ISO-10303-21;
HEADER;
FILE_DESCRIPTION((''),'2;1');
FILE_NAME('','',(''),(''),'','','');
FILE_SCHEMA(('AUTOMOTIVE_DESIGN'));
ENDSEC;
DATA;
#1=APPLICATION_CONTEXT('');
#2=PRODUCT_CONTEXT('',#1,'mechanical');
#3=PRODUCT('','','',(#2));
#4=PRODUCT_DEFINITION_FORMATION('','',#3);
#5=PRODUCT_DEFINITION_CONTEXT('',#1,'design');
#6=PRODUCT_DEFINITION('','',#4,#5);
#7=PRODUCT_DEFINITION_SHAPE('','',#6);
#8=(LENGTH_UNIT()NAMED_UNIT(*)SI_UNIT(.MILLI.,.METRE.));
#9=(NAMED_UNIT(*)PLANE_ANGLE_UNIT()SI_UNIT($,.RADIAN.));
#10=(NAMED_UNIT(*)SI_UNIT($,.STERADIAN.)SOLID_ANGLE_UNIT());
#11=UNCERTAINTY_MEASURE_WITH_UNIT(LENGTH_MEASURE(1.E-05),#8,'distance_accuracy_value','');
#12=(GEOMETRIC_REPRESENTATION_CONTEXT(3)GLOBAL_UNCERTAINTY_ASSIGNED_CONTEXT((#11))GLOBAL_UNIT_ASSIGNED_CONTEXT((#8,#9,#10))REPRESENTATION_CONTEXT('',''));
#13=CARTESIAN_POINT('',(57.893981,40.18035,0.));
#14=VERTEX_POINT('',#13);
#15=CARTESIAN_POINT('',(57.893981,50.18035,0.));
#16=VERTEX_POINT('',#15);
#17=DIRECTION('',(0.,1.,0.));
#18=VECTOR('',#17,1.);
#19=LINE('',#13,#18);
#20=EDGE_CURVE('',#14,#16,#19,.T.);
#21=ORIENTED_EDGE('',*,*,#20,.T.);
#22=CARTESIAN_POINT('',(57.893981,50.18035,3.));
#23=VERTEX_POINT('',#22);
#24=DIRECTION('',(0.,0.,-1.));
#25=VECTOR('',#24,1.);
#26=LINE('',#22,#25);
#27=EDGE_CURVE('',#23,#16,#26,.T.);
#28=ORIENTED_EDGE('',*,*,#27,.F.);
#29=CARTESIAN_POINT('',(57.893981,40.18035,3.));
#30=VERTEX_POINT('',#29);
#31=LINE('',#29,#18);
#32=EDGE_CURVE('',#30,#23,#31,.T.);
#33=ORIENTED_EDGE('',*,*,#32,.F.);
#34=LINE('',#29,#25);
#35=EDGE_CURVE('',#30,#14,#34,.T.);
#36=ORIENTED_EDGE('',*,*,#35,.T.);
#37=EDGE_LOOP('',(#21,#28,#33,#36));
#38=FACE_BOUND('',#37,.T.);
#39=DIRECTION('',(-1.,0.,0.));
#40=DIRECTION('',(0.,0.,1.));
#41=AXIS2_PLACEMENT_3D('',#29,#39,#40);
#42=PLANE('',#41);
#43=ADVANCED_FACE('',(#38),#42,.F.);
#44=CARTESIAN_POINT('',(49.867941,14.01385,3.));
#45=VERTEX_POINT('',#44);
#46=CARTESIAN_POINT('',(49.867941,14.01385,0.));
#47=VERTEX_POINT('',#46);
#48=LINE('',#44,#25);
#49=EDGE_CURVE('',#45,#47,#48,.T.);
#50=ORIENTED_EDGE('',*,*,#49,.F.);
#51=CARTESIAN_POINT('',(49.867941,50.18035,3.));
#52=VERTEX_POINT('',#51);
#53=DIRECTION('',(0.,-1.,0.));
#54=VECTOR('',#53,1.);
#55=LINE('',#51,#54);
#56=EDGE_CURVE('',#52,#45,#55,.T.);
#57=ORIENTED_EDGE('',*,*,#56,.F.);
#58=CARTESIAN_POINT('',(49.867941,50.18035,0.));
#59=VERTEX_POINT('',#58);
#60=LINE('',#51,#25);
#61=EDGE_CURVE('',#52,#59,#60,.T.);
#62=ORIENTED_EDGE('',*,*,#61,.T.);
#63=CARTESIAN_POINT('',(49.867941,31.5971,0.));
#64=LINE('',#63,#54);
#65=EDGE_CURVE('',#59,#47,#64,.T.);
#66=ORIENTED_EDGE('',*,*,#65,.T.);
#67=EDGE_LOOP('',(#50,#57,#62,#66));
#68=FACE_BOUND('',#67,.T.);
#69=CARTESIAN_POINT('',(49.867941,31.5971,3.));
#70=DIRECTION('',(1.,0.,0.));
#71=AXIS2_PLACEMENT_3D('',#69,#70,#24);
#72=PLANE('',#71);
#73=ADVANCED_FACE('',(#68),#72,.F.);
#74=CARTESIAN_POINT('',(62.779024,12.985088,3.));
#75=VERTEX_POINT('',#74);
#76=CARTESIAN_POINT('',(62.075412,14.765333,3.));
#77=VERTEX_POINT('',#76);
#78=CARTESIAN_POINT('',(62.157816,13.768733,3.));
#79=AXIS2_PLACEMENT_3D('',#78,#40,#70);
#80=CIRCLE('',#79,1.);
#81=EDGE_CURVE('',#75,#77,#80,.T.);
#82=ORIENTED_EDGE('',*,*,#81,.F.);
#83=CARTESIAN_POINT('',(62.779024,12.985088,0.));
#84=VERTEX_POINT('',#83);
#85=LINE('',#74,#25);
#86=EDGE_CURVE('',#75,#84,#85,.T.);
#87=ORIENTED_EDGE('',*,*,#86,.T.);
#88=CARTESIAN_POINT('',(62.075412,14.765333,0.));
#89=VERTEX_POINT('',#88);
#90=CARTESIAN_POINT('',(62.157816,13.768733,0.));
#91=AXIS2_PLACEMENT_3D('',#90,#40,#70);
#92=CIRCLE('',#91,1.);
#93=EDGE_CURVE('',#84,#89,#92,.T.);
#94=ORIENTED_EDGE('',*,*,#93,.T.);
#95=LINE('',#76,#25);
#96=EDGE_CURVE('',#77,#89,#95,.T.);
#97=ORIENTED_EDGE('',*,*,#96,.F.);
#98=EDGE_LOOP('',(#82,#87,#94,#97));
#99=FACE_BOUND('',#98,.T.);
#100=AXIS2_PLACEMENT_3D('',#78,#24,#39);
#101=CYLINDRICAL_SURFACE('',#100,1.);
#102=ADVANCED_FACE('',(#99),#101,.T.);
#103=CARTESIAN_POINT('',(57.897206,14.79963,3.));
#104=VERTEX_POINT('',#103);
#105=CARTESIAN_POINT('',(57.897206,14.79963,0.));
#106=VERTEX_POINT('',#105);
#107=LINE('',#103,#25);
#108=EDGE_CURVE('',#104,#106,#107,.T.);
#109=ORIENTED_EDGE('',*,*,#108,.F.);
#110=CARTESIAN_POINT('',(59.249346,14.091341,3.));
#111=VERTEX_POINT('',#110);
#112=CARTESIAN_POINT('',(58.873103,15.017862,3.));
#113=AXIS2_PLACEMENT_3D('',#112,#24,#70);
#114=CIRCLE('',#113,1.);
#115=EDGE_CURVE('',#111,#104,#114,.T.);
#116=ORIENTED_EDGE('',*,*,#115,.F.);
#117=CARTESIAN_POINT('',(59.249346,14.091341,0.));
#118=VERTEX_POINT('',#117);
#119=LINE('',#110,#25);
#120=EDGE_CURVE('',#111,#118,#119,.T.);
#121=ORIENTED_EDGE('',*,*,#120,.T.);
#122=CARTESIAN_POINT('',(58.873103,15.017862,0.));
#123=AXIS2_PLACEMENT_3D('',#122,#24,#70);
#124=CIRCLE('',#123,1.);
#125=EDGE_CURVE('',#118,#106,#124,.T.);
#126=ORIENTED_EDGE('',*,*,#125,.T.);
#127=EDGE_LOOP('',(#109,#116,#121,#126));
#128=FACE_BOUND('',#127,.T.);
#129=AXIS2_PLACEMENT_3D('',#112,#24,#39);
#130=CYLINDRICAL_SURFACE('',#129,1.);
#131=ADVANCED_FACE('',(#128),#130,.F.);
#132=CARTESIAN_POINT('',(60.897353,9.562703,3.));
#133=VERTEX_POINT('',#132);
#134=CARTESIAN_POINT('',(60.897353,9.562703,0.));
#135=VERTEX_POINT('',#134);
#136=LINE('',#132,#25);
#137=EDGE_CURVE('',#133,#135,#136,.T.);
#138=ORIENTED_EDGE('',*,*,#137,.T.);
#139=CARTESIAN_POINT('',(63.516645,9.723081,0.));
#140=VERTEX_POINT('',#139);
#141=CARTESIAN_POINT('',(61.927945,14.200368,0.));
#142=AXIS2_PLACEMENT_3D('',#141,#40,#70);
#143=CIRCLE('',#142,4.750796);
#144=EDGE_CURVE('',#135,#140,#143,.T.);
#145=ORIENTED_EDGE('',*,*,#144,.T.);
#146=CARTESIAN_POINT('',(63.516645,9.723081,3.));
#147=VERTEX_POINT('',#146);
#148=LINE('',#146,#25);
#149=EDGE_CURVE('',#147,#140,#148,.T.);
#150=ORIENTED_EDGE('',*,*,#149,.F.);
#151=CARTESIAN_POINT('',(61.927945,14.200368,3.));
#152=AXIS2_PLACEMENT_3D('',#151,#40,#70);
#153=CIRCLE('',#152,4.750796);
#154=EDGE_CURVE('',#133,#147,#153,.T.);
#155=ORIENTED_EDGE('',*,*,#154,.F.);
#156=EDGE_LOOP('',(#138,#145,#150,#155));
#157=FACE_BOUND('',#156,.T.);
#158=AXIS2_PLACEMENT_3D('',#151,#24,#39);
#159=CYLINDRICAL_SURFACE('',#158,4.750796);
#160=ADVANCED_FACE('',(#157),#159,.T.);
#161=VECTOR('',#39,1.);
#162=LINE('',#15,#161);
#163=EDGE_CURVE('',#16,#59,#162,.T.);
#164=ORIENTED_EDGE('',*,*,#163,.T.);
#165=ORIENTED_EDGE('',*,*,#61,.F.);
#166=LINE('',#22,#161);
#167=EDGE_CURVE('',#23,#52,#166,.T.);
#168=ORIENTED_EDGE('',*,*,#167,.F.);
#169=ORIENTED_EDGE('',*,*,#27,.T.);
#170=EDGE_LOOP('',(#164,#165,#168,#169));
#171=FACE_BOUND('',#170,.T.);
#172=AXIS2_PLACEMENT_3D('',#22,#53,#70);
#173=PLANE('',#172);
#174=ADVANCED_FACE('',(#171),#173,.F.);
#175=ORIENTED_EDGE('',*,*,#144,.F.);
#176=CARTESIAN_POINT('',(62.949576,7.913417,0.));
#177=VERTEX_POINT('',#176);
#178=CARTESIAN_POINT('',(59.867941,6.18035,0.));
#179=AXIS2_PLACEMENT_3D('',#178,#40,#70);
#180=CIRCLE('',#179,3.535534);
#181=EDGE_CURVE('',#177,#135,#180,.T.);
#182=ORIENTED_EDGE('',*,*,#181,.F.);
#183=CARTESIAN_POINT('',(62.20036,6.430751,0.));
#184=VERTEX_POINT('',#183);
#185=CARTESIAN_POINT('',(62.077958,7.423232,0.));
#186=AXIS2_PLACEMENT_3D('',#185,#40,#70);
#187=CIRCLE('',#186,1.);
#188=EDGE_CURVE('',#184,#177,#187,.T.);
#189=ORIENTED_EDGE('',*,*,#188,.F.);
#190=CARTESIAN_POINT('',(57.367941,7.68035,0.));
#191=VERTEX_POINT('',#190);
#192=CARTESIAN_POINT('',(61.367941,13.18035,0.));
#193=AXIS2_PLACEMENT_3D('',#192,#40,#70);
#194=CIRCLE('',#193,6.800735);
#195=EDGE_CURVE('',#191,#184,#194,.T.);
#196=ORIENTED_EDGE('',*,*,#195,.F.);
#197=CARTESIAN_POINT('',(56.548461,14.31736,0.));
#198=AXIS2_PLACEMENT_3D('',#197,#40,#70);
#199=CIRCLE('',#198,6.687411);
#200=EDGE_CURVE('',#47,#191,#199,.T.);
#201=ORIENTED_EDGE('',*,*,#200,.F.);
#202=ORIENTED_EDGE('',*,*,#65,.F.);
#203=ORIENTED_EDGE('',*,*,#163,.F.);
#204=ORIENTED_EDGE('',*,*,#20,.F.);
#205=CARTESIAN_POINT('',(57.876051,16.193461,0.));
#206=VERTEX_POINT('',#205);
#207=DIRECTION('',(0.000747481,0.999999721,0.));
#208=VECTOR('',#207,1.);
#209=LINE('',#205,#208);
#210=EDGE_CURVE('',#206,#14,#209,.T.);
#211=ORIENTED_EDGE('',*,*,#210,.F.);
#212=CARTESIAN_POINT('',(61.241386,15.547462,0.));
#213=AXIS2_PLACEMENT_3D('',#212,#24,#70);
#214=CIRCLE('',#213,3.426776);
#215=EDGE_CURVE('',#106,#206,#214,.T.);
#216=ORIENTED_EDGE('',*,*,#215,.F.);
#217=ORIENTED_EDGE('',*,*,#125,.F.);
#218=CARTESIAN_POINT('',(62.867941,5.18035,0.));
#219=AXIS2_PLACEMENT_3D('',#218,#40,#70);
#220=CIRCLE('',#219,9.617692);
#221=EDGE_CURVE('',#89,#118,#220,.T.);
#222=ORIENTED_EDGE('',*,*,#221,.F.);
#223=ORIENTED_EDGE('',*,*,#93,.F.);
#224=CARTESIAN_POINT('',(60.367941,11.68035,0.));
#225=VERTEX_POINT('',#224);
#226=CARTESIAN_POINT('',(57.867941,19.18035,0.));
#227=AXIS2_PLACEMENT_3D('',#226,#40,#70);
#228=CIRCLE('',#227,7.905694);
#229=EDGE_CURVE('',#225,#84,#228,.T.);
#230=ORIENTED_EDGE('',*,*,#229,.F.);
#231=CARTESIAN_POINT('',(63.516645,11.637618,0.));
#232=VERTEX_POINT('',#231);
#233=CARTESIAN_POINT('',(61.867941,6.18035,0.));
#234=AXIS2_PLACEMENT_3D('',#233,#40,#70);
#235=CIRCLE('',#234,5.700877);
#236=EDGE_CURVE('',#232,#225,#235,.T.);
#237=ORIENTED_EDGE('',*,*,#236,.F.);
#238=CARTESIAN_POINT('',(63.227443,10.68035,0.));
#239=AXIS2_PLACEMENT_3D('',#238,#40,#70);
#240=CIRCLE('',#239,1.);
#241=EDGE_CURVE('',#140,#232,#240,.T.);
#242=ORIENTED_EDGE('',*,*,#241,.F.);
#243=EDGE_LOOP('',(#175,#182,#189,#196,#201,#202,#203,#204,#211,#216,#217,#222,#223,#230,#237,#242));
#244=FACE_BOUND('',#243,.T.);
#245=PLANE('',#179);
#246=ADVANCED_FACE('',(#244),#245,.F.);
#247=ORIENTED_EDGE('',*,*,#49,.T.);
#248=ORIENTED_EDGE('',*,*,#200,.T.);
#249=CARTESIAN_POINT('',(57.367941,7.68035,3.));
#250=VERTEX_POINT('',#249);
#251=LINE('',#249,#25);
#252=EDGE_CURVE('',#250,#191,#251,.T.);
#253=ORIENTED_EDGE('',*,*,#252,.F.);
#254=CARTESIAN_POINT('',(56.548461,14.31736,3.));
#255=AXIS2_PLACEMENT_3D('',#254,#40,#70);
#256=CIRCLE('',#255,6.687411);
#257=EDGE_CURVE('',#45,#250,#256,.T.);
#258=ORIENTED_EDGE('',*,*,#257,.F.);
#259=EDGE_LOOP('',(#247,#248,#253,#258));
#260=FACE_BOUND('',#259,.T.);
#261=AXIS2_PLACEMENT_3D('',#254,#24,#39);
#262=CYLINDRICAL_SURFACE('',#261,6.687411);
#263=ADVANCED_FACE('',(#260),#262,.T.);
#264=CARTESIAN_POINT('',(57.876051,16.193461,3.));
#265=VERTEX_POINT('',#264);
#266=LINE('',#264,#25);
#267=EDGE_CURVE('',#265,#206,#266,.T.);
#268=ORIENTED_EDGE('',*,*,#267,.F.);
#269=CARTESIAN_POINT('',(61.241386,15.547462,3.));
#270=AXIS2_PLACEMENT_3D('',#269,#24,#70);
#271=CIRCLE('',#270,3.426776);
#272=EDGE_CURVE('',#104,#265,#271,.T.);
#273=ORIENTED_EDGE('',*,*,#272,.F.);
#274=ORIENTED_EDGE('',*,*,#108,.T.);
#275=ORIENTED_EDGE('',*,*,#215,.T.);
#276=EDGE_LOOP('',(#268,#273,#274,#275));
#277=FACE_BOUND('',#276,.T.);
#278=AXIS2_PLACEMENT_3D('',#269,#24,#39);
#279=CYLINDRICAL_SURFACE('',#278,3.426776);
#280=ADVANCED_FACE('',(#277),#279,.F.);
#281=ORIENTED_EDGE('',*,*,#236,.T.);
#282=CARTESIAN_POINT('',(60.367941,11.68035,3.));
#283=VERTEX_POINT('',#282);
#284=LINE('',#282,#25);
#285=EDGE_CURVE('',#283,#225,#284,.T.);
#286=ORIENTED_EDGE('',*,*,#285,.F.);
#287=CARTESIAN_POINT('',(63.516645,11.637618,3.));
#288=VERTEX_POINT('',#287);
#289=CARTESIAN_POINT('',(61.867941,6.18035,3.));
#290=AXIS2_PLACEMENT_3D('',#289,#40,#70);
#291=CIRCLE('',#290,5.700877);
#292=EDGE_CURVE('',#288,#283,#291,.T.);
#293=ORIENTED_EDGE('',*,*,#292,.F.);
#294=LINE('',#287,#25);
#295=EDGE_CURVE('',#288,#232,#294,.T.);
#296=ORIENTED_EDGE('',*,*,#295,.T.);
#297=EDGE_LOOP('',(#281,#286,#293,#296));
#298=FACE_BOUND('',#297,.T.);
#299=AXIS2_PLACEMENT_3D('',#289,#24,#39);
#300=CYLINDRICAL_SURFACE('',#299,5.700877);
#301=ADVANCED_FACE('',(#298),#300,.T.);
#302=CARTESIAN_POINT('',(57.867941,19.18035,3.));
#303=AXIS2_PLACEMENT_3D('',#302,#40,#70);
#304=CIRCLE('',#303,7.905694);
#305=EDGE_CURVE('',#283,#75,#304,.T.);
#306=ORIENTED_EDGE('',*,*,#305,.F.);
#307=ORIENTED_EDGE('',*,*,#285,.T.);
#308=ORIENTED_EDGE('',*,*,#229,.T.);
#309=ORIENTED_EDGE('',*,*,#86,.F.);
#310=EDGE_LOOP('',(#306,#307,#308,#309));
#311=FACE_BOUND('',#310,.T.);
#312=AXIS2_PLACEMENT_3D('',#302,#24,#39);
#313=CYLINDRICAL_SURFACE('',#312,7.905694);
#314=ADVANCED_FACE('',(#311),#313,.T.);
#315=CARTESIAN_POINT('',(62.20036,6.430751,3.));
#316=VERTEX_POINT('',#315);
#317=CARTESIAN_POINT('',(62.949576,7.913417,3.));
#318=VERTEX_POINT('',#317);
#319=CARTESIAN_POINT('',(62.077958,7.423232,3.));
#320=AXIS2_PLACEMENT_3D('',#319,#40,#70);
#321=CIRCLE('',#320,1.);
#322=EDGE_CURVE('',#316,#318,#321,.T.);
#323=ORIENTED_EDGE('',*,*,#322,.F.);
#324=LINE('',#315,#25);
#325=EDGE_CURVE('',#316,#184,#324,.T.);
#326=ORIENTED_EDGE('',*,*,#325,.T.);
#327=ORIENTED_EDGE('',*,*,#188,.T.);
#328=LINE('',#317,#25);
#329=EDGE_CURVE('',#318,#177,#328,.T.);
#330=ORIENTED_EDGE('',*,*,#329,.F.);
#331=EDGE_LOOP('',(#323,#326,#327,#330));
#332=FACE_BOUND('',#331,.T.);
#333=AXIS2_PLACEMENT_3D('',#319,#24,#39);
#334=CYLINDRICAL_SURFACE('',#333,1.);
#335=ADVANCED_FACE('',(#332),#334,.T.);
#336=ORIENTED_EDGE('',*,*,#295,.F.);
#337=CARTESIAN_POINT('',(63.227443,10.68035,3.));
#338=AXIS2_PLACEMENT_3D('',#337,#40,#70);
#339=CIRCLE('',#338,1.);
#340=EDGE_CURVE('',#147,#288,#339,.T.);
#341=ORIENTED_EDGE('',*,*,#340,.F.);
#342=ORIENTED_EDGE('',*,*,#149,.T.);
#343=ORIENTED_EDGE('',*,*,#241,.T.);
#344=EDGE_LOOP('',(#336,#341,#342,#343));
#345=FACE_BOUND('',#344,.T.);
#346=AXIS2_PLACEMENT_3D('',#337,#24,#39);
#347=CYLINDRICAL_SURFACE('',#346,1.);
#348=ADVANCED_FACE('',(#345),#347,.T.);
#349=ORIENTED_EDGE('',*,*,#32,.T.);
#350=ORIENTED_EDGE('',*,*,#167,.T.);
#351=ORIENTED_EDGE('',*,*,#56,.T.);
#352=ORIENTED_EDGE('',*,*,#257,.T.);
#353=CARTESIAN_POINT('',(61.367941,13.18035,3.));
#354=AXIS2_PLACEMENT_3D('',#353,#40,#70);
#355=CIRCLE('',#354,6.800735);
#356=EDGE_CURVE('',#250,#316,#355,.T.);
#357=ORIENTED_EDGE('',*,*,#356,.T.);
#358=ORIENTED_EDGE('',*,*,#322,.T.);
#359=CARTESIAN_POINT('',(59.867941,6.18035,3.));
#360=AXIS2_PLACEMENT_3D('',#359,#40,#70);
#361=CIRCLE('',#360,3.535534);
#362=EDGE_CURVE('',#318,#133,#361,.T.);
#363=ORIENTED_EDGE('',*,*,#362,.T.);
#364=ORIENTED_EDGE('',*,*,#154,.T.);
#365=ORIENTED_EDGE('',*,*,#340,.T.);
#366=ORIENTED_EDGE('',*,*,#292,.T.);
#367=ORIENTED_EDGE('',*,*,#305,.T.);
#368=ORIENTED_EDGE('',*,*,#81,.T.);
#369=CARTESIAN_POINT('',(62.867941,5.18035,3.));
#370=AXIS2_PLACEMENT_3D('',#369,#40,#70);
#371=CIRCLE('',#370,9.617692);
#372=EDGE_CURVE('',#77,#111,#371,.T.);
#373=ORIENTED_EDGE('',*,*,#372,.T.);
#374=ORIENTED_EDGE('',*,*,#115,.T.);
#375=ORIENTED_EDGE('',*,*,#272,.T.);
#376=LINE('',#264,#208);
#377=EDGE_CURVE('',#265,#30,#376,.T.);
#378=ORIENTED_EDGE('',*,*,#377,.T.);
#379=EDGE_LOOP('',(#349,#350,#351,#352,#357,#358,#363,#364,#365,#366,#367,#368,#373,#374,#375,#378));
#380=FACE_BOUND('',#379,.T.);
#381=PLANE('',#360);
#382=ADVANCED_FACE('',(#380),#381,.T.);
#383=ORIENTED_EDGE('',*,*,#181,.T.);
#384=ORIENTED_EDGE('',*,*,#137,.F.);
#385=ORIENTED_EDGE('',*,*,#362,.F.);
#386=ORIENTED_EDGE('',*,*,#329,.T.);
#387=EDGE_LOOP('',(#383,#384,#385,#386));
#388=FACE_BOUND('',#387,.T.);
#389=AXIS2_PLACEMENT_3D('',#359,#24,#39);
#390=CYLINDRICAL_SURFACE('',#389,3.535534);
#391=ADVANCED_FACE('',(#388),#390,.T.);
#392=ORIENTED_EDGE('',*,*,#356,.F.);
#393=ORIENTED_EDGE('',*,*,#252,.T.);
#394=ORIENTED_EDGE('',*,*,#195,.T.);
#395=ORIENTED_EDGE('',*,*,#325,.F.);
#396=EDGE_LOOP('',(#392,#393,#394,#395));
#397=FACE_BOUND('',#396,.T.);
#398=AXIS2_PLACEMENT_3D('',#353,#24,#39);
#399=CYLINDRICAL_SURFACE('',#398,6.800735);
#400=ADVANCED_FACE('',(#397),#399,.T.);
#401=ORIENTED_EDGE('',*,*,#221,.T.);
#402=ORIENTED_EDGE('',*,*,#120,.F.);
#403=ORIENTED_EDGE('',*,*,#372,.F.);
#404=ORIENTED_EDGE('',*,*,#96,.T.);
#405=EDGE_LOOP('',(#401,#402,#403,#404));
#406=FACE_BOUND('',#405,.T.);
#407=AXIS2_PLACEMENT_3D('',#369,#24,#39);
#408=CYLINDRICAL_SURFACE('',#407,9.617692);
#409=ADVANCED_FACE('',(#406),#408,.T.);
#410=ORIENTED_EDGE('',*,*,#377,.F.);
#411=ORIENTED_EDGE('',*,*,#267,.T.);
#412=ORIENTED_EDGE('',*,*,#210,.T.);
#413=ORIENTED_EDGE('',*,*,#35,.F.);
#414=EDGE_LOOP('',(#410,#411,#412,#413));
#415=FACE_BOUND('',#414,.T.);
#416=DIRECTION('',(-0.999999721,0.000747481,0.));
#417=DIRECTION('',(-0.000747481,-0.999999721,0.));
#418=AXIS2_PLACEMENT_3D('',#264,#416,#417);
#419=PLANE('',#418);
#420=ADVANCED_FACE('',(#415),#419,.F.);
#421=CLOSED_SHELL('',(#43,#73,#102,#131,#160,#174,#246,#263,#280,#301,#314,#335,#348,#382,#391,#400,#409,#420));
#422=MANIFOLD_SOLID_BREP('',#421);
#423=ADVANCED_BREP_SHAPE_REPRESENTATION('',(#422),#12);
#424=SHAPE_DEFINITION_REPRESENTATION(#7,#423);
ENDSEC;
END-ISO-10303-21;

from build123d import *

# Parameters (mm, degrees)
SALIENTE_EXTRUIR1_DEPTH = 3


with BuildPart() as part:
    # Model → Saliente-Extruir1 (new body)
    with BuildSketch(Plane.XY):
        with BuildLine():
            Line((57.876051331, 16.193461244), (57.893981077, 40.180349578))
            Line((57.893981077, 40.180349578), (57.893981077, 50.180349578))
            Line((57.893981077, 50.180349578), (49.867941077, 50.180349578))
            Line((49.867941077, 50.180349578), (49.867941077, 31.597099578))
            Line((49.867941077, 31.597099578), (49.867941077, 14.013849578))
            ThreePointArc((49.867941077, 14.013849578), (52.233805345, 9.208034607), (57.367941077, 7.680349578))
            ThreePointArc((57.367941077, 7.680349578), (59.6653644, 6.596184281), (62.200359504, 6.430751104))
            ThreePointArc((62.200359504, 6.430751104), (62.9704791, 6.972225641), (62.949576341, 7.913417408))
            ThreePointArc((62.949576341, 7.913417408), (62.082712456, 8.936213823), (60.897352842, 9.562702519))
            ThreePointArc((60.897352842, 9.562702519), (62.218292049, 9.458452731), (63.516644878, 9.723081417))
            ThreePointArc((63.516644878, 9.723081417), (64.2274431, 10.680349578), (63.516644878, 11.637617739))
            ThreePointArc((63.516644878, 11.637617739), (61.945301969, 11.880701786), (60.367941077, 11.680349578))
            ThreePointArc((60.367941077, 11.680349578), (61.630469791, 12.22740936), (62.779023795, 12.985087958))
            ThreePointArc((62.779023795, 12.985087958), (63.087813038, 14.136299223), (62.075412289, 14.765332526))
            ThreePointArc((62.075412289, 14.765332526), (60.636782457, 14.535665244), (59.249346326, 14.091341219))
            ThreePointArc((59.249346326, 14.091341219), (58.409082944, 14.132037192), (57.897205789, 14.799630249))
            ThreePointArc((57.897205789, 14.799630249), (57.815004717, 15.495458697), (57.876051331, 16.193461244))
        make_face()
    extrude(amount=SALIENTE_EXTRUIR1_DEPTH)


solid = part.part
